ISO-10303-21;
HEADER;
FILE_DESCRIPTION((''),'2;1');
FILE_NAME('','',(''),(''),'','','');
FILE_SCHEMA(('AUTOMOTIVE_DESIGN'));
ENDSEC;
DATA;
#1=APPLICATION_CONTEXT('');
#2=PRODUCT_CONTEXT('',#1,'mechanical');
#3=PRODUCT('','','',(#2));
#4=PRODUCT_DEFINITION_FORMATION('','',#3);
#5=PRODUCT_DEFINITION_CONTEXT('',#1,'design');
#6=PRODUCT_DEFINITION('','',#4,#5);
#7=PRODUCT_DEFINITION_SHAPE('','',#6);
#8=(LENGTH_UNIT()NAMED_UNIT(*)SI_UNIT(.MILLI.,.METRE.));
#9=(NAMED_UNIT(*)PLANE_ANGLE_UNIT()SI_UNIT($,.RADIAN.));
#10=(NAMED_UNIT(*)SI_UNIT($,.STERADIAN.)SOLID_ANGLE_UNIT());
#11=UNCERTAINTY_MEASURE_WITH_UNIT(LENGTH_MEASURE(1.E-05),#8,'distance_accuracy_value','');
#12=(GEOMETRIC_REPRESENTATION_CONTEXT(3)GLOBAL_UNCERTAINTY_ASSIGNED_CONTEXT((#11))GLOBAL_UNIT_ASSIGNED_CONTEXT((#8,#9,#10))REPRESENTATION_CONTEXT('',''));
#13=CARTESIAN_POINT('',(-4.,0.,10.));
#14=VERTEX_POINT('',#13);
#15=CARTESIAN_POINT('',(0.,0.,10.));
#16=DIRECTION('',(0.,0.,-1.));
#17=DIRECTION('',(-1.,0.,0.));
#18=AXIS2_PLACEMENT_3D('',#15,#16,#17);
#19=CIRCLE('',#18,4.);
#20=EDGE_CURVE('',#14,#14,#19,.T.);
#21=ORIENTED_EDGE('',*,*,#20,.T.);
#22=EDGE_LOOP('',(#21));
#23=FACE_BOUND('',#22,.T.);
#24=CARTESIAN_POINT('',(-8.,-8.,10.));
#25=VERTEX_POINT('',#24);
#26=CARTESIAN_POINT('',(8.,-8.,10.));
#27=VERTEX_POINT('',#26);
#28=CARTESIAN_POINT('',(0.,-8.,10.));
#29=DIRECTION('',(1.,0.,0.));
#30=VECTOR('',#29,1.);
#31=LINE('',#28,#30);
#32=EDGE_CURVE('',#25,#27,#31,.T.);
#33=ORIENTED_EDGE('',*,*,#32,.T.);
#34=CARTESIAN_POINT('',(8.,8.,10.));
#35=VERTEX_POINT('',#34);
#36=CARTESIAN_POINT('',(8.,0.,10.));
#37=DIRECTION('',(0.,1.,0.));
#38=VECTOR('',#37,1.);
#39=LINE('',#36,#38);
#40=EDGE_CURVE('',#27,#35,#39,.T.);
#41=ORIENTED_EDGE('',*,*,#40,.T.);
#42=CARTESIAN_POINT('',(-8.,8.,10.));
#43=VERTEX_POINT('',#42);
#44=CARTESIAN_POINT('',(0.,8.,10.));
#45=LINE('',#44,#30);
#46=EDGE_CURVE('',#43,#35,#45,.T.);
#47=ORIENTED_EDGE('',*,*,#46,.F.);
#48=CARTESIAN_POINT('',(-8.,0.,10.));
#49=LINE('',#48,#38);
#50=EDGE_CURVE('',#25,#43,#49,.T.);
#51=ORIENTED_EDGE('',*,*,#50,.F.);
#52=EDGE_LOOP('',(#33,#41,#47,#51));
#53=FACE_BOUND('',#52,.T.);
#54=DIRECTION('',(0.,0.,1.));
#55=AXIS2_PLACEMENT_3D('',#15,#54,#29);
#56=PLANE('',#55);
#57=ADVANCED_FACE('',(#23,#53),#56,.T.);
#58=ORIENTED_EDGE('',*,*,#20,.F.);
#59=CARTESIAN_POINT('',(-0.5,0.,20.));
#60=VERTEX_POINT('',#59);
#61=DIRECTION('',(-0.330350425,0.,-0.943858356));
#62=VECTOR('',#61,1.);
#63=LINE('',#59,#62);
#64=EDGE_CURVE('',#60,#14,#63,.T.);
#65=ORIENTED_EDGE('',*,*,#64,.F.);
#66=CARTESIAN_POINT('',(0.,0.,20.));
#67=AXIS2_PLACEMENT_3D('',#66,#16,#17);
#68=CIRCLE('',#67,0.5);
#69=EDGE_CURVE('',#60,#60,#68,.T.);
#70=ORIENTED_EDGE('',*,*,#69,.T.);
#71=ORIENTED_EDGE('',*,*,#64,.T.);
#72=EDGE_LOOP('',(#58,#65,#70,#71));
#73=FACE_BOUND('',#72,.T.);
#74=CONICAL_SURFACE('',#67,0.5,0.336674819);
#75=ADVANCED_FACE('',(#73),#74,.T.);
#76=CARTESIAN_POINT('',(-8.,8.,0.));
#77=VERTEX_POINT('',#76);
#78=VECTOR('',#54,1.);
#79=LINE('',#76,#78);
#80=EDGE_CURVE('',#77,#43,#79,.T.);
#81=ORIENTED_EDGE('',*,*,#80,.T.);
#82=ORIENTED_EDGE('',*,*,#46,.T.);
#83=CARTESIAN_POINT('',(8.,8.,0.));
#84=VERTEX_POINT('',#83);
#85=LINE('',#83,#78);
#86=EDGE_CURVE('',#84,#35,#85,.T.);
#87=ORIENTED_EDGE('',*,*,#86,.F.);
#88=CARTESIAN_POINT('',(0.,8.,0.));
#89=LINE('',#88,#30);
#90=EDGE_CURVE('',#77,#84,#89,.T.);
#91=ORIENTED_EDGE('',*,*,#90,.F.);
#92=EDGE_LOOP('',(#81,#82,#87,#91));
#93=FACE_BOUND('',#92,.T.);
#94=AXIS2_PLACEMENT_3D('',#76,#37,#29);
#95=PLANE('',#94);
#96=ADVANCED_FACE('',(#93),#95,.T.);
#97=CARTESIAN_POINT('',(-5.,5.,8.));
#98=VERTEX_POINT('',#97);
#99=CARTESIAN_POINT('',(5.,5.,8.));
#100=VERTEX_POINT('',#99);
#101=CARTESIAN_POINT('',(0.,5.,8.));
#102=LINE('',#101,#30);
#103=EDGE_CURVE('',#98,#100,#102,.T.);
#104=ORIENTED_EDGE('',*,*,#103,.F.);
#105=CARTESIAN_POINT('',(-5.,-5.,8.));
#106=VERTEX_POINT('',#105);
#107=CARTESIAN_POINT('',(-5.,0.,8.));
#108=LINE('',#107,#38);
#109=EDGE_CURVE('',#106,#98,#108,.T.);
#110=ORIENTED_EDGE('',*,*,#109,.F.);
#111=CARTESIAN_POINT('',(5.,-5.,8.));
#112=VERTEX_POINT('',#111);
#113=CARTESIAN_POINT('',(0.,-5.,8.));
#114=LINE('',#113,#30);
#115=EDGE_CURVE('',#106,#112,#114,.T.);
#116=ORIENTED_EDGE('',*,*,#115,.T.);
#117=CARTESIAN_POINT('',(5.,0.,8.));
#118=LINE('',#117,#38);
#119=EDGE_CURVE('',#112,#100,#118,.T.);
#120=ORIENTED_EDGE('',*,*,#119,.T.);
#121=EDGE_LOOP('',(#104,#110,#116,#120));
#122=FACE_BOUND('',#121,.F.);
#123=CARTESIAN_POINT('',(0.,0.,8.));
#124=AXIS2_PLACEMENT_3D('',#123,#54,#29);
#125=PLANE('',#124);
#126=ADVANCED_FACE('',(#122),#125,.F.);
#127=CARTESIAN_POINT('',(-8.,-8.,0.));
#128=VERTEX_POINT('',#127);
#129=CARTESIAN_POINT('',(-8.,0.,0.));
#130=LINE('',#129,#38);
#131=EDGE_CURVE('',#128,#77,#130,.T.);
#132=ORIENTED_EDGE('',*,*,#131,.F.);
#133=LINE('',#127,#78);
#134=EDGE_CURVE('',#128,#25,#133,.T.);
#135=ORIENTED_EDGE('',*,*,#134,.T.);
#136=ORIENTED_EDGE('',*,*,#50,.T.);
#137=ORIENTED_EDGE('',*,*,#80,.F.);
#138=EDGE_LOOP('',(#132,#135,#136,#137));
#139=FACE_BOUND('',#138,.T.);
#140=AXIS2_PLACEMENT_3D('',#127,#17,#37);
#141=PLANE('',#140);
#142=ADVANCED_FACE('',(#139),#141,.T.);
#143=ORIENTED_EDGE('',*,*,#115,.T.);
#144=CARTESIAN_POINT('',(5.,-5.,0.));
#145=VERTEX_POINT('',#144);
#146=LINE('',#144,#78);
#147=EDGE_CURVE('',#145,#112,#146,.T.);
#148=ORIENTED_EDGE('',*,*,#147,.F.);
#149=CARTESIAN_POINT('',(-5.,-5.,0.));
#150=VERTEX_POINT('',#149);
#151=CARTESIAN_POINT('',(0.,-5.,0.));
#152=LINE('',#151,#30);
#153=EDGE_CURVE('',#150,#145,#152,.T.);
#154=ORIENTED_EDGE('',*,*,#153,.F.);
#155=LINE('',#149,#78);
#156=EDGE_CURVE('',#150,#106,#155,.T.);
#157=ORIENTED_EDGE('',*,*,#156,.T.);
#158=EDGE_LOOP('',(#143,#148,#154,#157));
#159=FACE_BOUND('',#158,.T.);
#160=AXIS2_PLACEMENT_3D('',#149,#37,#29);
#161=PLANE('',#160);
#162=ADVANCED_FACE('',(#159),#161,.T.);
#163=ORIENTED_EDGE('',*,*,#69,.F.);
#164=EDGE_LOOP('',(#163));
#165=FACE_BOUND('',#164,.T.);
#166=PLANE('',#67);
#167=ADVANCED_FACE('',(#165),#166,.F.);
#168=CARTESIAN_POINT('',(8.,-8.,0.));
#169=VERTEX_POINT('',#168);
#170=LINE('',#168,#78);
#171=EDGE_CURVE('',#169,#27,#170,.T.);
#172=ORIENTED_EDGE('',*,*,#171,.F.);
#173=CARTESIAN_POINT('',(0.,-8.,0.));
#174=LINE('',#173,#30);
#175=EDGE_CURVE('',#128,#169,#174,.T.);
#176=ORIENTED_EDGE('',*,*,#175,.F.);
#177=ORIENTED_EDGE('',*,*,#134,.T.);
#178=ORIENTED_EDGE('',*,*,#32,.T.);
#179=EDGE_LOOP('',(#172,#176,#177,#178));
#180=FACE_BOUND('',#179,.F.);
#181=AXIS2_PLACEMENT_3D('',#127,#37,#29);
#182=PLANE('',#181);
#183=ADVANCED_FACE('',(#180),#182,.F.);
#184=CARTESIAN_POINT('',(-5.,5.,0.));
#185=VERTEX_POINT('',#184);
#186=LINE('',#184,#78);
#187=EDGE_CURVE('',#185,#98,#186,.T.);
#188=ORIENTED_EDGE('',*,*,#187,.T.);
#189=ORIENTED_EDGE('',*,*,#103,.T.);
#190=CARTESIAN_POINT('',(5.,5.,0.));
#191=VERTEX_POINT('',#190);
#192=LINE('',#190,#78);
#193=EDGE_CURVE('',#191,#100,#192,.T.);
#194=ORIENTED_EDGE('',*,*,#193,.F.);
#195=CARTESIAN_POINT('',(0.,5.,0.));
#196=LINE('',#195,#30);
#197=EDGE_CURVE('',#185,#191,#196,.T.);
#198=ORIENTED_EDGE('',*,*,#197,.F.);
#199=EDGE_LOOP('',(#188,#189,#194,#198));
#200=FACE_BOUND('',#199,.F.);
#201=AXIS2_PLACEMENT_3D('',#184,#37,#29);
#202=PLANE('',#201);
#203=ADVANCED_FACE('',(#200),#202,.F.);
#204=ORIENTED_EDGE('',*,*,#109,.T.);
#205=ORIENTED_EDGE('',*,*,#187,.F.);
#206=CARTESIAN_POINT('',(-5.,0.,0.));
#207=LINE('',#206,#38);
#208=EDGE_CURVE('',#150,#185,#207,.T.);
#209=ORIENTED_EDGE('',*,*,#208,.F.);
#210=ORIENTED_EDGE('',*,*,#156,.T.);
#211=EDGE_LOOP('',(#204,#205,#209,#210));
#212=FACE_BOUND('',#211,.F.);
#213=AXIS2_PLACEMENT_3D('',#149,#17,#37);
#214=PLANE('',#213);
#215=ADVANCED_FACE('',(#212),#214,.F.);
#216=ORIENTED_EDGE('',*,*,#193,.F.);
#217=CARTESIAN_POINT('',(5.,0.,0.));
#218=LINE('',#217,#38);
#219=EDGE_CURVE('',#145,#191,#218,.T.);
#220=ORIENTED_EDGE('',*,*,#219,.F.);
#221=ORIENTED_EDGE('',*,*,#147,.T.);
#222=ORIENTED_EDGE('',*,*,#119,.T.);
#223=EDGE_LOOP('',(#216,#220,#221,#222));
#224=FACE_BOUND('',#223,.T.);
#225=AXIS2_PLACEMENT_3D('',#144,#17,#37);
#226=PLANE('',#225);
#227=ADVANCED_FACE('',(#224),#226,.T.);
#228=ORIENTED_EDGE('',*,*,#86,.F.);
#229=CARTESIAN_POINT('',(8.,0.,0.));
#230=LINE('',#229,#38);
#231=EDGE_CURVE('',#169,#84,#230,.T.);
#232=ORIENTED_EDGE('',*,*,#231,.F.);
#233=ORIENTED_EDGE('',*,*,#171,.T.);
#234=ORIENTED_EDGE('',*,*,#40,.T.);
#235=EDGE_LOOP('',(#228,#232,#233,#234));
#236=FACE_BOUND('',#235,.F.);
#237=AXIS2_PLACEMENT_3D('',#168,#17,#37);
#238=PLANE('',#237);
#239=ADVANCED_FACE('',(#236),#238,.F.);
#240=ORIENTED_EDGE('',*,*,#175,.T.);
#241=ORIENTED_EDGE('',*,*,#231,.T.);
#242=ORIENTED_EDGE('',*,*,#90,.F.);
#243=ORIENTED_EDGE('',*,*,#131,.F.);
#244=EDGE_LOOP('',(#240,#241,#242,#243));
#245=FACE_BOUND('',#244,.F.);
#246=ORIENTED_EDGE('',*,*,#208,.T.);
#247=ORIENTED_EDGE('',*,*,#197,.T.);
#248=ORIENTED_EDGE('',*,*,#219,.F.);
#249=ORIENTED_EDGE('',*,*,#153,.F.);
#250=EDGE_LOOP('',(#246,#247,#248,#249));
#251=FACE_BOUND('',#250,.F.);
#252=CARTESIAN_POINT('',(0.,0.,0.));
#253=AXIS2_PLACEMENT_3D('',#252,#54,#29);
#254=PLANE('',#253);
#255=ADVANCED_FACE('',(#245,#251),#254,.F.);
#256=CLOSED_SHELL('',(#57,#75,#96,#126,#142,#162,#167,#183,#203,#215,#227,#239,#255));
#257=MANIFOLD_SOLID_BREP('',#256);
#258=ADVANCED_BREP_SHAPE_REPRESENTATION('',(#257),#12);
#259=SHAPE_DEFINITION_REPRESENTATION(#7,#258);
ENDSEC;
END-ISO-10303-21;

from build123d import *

# Parameters (mm, degrees)
BOX001_W     = 10
BOX001_H     = 10
BOX001_DEPTH = 8
BOX_W        = 16
BOX_H        = 16
BOX_DEPTH    = 10


with BuildPart() as cube001:
    # Box001 → Box001 (new body)
    with BuildSketch(Plane(origin=(-5, -5, 0), x_dir=(1, 0, 0), z_dir=(0, 0, 1))):
        with Locations((5, 5)):
            Rectangle(BOX001_W, BOX001_H)
    extrude(amount=BOX001_DEPTH)


with BuildPart() as cone:
    # Cone → Cone (revolve)
    with BuildSketch(Plane(origin=(0, 0, 20), x_dir=(-1, 0, 0), z_dir=(0, -1, 0))):
        Polygon((0, 0), (0.5, 0), (4, 10), (0, 10), align=None)
    revolve(axis=Axis((0, 0, 20), (0, 0, -1)))


with BuildPart() as cut:
    # Box → Box (new body)
    with BuildSketch(Plane(origin=(-8, -8, 0), x_dir=(1, 0, 0), z_dir=(0, 0, 1))):
        with Locations((8, 8)):
            Rectangle(BOX_W, BOX_H)
    extrude(amount=BOX_DEPTH)

    # Fusion: union Cone
    add(cone.part)

    # Cut: cut Cube001
    add(cube001.part, mode=Mode.SUBTRACT)


solid = cut.part
